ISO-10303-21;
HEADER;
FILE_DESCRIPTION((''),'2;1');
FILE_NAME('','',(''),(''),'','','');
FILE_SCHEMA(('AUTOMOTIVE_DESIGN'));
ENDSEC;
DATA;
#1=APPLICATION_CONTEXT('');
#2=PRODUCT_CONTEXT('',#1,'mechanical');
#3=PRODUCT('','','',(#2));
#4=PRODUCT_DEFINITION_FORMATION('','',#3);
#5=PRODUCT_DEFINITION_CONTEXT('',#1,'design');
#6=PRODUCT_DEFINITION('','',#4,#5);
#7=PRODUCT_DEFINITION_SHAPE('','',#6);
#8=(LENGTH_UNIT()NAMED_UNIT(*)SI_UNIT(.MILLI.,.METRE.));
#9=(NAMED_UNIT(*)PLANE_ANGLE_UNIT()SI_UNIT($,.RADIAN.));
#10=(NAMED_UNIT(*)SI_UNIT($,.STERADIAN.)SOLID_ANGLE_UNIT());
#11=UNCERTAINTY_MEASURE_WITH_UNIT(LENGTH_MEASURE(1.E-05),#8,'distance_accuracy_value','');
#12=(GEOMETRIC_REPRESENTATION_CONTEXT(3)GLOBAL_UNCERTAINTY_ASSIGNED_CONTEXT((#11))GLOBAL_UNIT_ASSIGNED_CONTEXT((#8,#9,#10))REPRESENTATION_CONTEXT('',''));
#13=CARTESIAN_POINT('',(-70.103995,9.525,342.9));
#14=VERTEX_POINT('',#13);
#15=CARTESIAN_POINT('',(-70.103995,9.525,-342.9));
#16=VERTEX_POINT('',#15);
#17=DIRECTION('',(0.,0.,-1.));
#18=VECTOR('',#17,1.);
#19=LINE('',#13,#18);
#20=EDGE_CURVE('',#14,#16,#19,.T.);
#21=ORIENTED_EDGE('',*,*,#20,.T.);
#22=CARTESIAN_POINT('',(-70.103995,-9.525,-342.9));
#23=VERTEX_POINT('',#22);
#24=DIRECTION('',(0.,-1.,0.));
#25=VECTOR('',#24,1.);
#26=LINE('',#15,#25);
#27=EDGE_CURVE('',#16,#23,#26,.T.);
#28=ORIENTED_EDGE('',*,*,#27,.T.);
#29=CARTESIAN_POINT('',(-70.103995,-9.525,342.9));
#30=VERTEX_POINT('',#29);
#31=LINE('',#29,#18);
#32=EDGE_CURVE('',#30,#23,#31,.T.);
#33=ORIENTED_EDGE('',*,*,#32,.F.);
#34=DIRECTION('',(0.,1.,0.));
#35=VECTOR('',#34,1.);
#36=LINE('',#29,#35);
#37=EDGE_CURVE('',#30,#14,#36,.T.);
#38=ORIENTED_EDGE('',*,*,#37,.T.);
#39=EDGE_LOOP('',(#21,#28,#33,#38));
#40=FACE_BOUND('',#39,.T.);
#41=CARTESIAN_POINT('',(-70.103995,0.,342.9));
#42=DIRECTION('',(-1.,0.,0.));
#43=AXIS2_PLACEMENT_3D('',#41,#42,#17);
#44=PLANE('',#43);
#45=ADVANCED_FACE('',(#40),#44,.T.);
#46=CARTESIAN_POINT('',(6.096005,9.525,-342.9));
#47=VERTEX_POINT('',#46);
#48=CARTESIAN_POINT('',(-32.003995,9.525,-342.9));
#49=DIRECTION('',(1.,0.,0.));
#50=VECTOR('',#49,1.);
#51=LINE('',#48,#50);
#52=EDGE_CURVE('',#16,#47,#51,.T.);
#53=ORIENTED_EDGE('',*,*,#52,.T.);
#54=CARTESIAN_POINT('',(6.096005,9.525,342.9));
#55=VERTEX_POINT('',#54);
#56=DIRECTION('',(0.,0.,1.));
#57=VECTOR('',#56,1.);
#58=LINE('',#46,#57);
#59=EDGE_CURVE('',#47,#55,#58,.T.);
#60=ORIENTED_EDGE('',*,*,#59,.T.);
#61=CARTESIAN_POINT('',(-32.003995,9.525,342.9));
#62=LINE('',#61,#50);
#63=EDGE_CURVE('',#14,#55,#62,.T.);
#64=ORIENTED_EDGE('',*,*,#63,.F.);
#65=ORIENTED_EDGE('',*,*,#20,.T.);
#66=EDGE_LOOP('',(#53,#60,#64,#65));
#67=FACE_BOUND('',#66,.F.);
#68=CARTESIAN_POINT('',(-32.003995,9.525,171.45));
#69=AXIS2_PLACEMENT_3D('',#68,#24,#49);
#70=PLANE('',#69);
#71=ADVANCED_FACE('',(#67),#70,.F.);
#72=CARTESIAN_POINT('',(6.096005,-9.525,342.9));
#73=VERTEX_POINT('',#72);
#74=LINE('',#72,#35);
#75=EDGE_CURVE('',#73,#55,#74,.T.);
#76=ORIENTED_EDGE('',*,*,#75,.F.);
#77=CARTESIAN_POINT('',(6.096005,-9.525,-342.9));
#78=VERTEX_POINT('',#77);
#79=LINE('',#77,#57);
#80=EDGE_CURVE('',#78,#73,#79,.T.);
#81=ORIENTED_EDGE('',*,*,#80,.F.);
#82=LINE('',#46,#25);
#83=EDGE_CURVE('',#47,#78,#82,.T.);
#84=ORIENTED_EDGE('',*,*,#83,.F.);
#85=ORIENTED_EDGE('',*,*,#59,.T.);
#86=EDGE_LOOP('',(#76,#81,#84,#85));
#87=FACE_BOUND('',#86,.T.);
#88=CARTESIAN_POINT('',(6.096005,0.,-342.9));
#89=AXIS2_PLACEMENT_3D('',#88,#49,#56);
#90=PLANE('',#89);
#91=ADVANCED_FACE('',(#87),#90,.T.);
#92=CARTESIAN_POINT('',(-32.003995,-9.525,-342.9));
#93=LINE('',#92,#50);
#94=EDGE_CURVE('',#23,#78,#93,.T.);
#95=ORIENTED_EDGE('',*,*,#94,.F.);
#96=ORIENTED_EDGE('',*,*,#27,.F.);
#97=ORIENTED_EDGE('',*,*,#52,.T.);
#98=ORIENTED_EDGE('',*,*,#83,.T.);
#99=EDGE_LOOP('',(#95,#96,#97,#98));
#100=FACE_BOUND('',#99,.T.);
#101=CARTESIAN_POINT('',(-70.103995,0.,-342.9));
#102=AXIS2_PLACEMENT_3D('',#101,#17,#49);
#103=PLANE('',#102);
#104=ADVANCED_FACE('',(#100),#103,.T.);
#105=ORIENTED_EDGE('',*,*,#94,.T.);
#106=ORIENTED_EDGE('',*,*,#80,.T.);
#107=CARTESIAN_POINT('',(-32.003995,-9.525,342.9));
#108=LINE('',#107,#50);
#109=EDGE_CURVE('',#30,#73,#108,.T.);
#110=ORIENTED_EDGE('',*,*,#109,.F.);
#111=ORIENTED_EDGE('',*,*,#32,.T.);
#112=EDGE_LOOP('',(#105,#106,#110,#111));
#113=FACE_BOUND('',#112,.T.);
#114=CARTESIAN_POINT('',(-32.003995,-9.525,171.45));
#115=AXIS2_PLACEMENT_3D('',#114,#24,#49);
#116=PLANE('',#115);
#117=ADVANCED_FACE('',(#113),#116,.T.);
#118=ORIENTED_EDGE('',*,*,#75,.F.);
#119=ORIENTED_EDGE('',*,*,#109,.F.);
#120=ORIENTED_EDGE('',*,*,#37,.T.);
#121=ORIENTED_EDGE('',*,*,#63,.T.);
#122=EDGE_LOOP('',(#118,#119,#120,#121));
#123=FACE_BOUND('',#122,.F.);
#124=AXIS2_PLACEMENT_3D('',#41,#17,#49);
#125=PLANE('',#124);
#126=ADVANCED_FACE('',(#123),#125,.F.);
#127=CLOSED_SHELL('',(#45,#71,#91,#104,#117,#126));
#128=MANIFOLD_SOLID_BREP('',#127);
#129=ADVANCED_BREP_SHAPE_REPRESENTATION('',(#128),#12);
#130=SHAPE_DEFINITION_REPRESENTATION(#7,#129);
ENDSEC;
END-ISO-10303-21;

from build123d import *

# Parameters (mm, degrees)
F0_W     = 76.2
F0_H     = 342.9
F1_DEPTH = 9.525


with BuildPart() as f1:
    # F0 (on Front) → F1 (new body, symmetric)
    with BuildSketch(Plane.XZ):
        with Locations((-32.0039953259, 171.45)):
            Rectangle(F0_W, F0_H)
        with Locations((-32.0039953259, -171.45)):
            Rectangle(F0_W, F0_H)
    extrude(amount=F1_DEPTH, both=True)


solid = f1.part
